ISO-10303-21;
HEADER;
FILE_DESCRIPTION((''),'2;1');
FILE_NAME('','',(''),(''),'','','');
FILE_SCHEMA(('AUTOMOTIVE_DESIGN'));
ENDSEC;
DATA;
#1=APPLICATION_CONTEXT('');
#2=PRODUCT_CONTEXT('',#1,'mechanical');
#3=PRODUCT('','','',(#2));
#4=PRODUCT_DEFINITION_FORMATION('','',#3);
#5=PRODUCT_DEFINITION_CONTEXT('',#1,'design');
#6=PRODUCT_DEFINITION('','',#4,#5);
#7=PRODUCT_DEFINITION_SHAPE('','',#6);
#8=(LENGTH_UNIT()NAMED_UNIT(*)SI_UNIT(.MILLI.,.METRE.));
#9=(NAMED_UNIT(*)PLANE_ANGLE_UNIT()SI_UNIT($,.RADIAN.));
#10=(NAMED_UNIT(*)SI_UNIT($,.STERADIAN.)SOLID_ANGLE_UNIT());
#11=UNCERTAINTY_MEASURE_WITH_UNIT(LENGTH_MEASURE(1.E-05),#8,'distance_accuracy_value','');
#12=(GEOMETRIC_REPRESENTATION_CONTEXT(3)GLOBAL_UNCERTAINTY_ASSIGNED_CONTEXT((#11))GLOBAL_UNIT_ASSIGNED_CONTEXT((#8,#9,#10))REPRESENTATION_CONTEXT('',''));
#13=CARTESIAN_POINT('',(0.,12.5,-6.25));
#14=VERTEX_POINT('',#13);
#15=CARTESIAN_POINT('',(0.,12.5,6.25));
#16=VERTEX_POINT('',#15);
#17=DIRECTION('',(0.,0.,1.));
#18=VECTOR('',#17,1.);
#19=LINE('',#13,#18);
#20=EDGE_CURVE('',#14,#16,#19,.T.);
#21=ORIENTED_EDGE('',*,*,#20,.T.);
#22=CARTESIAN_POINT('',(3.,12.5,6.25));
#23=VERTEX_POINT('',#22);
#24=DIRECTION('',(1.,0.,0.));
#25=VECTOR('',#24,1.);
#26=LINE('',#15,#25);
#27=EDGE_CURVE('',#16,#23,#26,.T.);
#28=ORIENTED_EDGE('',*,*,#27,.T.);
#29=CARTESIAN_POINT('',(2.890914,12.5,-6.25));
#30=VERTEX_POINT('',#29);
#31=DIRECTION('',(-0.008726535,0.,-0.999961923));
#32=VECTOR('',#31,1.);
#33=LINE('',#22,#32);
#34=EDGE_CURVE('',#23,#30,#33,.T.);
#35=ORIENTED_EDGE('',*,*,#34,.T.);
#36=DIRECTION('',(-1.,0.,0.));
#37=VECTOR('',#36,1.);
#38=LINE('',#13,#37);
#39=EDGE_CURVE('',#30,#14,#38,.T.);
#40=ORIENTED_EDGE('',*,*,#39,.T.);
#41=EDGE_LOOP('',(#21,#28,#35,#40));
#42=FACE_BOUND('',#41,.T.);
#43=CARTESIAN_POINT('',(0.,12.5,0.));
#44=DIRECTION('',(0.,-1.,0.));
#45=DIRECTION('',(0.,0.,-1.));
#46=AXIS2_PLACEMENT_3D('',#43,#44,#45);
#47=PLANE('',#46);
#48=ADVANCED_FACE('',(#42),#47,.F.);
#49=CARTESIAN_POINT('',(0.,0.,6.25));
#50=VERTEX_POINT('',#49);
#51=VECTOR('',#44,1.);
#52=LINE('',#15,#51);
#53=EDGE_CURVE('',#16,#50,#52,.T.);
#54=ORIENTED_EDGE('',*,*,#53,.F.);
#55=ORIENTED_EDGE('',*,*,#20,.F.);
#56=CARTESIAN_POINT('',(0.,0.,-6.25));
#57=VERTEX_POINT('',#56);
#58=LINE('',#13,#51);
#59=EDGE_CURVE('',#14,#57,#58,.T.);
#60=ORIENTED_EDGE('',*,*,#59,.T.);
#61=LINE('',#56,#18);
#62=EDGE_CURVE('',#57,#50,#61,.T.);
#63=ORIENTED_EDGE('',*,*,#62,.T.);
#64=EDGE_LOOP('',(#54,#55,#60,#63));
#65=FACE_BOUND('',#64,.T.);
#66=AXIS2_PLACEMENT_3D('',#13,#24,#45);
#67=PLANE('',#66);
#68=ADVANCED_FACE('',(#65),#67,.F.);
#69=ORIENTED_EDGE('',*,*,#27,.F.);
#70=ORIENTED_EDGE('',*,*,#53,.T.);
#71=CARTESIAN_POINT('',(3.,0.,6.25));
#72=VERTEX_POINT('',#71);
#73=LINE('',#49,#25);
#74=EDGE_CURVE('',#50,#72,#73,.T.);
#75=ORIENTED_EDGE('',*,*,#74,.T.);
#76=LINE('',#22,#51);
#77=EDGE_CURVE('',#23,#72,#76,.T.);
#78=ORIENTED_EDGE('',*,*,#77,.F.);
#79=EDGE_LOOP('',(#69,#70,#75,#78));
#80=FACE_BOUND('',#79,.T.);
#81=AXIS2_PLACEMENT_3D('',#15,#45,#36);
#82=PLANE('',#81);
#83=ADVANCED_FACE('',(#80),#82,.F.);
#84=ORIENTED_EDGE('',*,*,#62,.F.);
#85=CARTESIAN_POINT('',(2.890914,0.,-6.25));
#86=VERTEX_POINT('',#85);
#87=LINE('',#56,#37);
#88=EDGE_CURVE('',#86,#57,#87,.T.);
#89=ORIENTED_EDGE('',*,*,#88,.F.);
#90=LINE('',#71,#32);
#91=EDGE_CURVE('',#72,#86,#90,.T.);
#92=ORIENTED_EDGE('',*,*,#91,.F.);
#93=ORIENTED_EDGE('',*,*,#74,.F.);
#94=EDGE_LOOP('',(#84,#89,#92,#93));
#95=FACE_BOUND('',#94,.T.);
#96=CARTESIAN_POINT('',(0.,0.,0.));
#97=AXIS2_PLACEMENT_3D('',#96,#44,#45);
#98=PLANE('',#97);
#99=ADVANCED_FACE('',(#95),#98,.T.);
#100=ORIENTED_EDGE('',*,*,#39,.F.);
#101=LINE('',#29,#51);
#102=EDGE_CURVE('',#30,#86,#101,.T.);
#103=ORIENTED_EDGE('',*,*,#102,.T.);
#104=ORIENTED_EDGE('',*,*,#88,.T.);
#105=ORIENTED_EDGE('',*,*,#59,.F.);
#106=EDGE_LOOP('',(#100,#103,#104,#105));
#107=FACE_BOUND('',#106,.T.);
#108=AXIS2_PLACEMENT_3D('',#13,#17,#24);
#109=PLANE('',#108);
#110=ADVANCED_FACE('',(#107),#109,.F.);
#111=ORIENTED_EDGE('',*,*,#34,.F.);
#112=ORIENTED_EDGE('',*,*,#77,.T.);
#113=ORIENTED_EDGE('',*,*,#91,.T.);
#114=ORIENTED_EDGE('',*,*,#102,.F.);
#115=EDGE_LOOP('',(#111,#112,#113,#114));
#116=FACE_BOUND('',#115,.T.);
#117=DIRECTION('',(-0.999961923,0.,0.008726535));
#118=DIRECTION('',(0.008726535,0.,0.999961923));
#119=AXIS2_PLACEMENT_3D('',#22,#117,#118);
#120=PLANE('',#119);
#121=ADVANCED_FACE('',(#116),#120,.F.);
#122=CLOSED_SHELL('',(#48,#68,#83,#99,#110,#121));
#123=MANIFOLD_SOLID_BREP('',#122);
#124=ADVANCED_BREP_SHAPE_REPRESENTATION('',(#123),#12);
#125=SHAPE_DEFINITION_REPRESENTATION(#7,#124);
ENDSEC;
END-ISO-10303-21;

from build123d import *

# Parameters (mm, degrees)
EXTRUDE_1_DEPTH = 12.5


with BuildPart() as part:
    # 草图1 → 凸台-拉伸1 (new body)
    with BuildSketch(Plane(origin=(0, 0, 0), x_dir=(1, 0, 0), z_dir=(0, 1, 0))):
        Polygon((0, 6.25), (0, -6.25), (3, -6.25), (2.890914153, 6.25), align=None)
    extrude(amount=EXTRUDE_1_DEPTH)


solid = part.part
